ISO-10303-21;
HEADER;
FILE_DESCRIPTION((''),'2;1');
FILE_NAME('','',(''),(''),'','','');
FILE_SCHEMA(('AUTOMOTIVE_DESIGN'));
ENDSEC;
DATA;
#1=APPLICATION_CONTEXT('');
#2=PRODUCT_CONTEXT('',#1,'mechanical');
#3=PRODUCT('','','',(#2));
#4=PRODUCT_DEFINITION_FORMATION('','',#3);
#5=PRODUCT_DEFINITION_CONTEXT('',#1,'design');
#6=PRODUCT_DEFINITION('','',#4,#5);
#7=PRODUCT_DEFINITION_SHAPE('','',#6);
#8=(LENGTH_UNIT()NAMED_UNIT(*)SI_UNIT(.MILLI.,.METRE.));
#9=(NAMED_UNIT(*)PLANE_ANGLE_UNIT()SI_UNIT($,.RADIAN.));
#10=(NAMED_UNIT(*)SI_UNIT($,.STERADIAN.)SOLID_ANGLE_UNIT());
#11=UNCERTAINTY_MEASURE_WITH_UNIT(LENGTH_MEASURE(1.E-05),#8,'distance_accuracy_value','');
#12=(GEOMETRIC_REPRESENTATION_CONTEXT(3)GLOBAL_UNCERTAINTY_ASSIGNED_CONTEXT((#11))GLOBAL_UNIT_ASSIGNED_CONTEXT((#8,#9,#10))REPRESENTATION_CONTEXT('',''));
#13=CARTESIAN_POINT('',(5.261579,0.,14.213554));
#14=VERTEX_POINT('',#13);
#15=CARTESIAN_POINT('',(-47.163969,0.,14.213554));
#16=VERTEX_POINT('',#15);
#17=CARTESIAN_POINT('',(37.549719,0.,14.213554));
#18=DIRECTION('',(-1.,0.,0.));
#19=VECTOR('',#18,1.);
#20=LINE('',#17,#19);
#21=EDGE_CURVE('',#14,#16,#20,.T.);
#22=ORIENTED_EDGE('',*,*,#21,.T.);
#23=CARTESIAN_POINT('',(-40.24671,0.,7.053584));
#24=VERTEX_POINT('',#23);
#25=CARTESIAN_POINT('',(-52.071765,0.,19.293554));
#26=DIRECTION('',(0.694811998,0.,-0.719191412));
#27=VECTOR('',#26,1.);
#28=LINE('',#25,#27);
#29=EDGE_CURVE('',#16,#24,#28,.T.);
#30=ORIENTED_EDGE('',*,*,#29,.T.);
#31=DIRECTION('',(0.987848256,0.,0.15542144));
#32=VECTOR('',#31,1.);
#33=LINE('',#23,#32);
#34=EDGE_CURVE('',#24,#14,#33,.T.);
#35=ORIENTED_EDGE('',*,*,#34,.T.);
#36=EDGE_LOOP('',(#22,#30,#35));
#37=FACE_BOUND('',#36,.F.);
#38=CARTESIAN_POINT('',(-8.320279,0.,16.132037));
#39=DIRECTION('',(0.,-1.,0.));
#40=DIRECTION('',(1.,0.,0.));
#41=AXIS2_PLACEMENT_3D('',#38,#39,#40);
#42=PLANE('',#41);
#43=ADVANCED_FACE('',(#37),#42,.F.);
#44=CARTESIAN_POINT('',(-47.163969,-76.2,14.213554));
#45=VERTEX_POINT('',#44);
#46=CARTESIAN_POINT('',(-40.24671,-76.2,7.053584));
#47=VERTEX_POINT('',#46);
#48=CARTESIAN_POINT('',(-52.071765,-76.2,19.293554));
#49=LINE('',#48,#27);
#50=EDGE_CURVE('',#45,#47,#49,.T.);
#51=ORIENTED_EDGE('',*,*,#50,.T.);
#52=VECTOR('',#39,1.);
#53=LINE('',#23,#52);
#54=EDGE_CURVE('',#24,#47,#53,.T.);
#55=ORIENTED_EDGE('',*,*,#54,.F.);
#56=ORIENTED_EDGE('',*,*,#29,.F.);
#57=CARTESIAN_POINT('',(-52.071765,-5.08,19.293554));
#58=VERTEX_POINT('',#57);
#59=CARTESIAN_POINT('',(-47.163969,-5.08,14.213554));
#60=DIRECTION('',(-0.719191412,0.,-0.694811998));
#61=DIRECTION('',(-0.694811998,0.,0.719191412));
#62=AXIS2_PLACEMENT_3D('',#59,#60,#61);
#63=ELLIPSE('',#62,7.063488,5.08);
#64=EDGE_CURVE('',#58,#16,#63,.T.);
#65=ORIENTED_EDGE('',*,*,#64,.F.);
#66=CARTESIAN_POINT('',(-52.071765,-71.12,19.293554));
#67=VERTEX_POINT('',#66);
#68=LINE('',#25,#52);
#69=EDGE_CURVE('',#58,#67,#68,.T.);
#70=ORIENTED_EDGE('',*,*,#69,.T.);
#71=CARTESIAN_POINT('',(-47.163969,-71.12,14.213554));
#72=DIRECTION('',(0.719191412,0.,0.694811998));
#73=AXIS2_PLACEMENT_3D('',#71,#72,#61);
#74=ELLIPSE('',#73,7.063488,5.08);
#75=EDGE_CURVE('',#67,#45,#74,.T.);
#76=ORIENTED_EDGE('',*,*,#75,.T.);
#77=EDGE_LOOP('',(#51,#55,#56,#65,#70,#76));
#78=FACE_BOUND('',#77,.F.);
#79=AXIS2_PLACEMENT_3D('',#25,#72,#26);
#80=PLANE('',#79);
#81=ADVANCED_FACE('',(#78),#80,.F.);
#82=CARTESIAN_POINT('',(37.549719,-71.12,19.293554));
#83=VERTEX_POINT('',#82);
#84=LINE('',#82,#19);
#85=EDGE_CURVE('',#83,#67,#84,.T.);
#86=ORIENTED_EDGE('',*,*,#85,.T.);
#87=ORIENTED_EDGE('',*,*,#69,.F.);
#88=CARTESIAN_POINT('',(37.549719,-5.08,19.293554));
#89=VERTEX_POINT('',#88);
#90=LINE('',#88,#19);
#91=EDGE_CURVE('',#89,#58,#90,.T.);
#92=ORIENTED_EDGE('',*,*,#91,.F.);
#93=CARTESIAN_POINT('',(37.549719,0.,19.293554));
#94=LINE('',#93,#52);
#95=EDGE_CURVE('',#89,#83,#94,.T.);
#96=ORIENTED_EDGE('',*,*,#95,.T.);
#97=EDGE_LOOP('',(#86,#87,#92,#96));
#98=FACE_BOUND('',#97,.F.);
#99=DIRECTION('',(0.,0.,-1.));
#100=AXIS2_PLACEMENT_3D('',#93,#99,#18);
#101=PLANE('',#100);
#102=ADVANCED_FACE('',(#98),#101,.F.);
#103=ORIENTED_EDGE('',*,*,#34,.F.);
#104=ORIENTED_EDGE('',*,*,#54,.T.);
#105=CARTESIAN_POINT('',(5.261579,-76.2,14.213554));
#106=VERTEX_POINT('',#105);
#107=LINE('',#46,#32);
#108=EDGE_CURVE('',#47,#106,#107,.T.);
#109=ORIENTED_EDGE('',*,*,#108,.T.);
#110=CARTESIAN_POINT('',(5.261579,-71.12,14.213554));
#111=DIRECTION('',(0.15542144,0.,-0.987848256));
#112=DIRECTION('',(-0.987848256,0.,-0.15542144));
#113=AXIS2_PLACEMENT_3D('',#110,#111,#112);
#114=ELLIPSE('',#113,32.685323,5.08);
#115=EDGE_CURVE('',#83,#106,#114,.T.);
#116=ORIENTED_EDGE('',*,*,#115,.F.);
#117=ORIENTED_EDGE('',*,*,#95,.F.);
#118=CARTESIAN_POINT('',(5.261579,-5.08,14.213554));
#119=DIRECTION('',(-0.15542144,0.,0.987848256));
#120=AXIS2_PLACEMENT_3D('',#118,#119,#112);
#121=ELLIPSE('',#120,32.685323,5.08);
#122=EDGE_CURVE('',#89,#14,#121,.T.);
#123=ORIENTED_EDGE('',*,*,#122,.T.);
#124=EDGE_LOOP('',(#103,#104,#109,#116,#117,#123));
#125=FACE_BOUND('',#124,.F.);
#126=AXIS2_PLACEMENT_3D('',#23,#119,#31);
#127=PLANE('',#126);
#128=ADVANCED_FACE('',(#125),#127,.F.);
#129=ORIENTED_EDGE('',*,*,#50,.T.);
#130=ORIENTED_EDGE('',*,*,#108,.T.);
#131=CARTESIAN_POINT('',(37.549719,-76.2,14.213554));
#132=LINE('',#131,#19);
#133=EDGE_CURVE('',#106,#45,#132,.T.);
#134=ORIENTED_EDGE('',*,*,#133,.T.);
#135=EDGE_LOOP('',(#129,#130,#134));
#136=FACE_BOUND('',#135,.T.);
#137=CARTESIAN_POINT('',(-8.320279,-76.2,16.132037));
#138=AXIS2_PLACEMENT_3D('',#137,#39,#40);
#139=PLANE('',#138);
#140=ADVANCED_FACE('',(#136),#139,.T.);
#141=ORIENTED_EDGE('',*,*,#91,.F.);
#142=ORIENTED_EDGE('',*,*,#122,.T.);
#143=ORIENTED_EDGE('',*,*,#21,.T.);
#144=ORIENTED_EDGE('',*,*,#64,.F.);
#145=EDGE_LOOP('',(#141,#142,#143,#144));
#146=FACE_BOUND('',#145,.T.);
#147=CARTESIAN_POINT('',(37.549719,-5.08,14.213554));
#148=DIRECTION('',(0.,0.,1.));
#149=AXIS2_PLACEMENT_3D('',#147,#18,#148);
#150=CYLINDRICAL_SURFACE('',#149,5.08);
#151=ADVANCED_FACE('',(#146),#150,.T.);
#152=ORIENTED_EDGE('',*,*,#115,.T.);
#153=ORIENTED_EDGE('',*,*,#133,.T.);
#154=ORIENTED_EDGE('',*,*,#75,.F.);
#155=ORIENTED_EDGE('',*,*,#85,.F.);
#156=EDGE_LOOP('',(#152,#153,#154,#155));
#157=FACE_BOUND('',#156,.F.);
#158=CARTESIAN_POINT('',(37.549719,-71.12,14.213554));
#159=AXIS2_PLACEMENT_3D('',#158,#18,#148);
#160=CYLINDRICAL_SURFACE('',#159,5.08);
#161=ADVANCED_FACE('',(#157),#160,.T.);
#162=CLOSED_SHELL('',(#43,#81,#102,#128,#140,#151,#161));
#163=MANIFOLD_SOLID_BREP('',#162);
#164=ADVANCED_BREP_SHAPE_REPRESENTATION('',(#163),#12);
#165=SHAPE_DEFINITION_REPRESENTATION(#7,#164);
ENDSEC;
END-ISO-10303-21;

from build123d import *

# Parameters (mm, degrees)
F1_DEPTH = 76.2
F2_R     = 5.08
F3_R     = 5.08


with BuildPart() as f1:
    # F0 (on Front) → F1 (new body)
    with BuildSketch(Plane.XZ):
        Polygon((-40.24671, 7.053584), (37.549719, 19.293554), (-52.071765, 19.293554), align=None)
    extrude(amount=F1_DEPTH)

    # F2
    f2_edges = [f1.edges().sort_by_distance(p)[0] for p in [
        (-7.261023, -76.2, 19.293554),
    ]]
    fillet(f2_edges, radius=F2_R)

    # F3
    f3_edges = [f1.edges().sort_by_distance(p)[0] for p in [
        (-7.261023, 0, 19.293554),
    ]]
    fillet(f3_edges, radius=F3_R)


solid = f1.part
